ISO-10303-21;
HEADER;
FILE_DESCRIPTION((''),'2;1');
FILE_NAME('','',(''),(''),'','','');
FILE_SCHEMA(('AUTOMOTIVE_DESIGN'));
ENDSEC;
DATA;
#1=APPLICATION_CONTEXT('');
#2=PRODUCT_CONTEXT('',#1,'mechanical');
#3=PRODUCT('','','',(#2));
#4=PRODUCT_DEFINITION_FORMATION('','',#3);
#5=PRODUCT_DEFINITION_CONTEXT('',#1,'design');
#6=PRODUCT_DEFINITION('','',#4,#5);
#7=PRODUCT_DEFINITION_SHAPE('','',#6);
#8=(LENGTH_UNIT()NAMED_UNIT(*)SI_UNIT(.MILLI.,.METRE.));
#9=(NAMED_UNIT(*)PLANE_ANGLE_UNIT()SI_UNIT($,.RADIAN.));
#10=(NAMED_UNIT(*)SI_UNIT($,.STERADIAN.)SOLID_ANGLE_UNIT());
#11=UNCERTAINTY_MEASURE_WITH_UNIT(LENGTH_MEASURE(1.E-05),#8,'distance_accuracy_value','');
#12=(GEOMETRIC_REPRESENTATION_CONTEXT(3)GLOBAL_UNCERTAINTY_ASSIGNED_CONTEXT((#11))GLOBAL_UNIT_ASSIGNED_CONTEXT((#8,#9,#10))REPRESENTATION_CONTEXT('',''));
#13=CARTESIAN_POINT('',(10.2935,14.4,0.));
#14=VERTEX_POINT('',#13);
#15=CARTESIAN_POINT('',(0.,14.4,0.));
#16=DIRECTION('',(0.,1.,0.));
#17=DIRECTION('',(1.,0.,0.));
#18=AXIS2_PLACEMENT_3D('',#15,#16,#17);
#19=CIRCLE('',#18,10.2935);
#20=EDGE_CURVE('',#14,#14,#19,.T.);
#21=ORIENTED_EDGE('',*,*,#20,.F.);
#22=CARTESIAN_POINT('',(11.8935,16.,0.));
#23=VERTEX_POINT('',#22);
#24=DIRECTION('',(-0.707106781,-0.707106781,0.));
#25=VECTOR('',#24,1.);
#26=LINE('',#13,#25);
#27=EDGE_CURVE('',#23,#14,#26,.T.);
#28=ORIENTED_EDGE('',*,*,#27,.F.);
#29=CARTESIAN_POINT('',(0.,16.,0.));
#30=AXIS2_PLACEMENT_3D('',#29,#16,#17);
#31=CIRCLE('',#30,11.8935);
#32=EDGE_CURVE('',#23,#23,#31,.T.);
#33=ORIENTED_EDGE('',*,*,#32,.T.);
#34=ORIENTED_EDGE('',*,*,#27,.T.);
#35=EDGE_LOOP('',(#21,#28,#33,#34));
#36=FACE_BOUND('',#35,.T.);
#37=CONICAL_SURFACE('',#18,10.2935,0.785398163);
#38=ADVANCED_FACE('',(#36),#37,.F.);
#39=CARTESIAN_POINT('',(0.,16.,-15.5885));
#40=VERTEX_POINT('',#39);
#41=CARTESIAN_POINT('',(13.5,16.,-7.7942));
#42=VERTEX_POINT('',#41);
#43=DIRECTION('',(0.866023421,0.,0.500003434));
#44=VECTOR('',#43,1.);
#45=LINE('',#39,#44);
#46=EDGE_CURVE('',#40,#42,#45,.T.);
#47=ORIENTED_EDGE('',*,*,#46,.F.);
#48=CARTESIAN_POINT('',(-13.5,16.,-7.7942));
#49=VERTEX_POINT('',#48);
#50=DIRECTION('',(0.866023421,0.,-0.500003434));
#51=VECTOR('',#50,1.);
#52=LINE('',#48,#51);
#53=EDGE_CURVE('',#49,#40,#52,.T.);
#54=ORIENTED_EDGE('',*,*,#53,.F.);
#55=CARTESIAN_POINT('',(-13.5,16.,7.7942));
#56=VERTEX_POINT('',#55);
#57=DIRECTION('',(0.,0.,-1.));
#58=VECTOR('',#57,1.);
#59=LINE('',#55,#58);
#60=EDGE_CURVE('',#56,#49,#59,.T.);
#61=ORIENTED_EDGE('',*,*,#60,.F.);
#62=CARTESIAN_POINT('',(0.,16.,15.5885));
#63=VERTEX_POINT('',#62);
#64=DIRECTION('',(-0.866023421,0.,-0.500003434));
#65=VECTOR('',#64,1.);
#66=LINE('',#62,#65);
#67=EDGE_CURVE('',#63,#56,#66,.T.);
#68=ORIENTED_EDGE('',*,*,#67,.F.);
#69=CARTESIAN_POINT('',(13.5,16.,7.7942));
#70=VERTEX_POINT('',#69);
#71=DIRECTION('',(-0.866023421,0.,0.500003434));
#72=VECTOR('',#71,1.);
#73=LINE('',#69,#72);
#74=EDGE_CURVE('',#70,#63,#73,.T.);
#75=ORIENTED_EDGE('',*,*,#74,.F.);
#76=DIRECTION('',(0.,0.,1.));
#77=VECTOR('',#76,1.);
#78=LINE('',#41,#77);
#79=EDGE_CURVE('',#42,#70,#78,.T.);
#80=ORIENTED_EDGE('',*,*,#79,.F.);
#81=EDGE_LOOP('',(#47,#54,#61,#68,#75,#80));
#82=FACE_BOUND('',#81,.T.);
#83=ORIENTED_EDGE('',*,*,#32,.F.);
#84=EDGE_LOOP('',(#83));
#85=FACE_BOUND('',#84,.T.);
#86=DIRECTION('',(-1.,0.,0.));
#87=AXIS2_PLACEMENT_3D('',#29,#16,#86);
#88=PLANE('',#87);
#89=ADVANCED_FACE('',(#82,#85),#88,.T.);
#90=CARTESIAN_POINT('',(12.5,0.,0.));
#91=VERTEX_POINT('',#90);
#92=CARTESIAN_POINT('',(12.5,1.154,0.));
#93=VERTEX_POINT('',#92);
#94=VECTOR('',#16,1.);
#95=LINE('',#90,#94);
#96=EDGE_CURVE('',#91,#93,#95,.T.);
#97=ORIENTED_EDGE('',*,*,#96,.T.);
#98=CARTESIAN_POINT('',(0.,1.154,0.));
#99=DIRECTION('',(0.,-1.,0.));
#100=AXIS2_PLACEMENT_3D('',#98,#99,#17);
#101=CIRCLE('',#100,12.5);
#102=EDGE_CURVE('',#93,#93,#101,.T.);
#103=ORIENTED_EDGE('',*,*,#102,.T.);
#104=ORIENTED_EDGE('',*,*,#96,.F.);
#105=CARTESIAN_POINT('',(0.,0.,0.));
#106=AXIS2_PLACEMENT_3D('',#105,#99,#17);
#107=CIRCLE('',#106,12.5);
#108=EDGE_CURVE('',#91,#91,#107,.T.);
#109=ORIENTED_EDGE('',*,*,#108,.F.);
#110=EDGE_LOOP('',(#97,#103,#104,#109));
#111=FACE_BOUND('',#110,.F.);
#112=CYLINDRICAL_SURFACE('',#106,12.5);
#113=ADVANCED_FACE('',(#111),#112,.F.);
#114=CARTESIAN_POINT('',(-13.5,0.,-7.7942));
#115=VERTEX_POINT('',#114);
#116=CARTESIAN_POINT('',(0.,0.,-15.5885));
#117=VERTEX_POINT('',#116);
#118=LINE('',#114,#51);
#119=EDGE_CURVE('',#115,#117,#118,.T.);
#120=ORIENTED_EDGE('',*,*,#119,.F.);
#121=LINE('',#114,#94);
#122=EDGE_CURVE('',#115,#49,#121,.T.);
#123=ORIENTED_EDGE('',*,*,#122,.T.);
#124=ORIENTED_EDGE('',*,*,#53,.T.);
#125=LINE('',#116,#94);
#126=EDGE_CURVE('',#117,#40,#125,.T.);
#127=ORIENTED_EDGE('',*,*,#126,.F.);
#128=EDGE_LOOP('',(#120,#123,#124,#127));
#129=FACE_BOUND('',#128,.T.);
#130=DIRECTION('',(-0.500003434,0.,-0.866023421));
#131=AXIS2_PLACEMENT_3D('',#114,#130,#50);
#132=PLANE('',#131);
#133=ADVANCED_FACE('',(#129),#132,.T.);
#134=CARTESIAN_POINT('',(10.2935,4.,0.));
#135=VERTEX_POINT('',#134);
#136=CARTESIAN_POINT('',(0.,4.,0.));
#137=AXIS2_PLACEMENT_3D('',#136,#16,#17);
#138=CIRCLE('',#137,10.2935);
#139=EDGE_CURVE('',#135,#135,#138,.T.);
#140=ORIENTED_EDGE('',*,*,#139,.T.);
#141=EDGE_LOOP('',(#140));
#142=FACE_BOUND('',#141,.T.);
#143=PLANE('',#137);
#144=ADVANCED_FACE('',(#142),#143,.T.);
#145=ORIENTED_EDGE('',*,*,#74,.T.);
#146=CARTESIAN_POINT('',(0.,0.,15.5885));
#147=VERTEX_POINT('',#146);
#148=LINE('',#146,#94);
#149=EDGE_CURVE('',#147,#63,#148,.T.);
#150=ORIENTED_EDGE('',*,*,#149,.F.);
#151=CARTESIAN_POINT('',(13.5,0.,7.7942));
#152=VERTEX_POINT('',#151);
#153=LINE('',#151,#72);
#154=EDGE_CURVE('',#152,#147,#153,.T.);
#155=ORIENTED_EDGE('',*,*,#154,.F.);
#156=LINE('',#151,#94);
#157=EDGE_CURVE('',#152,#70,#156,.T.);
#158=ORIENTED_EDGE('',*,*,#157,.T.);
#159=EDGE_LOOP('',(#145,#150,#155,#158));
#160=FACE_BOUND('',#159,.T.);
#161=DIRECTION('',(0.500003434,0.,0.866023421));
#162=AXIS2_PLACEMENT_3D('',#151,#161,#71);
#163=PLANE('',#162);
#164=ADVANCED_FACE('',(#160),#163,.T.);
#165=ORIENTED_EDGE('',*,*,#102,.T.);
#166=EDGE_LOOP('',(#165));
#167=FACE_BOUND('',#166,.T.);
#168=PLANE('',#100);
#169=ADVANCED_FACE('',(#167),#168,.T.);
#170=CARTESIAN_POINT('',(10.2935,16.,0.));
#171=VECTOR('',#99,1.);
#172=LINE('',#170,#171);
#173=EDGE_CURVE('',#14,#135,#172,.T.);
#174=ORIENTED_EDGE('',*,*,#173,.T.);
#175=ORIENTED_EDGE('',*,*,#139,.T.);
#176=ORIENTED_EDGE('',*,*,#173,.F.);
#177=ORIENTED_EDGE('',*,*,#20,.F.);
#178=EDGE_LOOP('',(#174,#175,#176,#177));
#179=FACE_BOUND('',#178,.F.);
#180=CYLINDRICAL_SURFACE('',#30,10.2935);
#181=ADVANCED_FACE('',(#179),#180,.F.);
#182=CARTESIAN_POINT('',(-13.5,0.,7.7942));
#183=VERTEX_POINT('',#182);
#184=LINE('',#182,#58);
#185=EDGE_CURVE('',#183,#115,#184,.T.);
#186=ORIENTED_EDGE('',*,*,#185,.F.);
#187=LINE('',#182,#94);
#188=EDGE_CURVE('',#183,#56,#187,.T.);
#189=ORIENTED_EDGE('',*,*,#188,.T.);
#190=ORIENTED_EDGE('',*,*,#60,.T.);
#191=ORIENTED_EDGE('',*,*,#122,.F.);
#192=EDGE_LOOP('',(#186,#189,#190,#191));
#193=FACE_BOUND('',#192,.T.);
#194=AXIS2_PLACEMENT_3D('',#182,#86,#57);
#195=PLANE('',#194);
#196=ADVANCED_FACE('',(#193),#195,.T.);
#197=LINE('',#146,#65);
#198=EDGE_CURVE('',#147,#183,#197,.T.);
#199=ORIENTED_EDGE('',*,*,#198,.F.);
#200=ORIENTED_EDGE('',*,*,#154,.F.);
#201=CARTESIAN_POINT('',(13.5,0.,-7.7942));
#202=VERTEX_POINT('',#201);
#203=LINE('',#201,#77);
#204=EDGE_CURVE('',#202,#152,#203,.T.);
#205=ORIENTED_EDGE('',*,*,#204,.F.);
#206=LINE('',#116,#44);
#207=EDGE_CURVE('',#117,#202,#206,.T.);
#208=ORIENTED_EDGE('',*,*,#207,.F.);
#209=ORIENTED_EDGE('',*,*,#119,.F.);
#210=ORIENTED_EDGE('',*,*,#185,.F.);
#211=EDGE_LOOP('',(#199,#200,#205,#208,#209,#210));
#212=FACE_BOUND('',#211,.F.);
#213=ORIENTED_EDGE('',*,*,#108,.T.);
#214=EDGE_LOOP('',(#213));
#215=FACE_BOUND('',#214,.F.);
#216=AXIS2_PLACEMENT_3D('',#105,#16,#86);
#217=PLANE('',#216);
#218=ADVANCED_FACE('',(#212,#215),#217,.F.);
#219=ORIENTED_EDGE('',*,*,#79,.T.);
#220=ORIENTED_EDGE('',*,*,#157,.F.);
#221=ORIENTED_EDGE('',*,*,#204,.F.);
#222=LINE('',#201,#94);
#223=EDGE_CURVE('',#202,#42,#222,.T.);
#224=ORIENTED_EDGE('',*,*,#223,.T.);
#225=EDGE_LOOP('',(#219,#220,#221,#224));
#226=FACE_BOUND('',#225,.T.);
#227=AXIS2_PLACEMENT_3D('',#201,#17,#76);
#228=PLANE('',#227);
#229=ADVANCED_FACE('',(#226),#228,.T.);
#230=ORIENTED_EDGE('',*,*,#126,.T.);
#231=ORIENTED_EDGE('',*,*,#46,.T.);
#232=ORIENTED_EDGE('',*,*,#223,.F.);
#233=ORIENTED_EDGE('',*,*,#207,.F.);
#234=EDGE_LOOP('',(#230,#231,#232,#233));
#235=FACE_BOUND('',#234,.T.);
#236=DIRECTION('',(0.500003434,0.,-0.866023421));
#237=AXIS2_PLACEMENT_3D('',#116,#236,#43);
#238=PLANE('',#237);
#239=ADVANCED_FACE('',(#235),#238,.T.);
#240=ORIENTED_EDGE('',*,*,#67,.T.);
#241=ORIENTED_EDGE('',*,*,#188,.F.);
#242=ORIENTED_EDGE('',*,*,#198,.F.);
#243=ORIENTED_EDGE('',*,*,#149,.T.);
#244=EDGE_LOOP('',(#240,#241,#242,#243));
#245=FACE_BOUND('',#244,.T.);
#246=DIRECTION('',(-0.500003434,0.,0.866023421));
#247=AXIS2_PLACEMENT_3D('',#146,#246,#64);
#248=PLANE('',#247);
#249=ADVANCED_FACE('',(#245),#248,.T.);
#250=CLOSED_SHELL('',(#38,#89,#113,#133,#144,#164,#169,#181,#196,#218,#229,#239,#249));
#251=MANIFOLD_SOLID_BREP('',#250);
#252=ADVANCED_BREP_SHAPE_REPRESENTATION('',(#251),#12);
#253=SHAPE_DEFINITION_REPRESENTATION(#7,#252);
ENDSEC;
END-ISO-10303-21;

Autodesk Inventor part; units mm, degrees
ref_plane "YZ Plane" through (0, 0, 0) normal (1, 0, 0) x (0, 1, 0)
ref_plane "XZ Plane" through (0, 0, 0) normal (0, 1, 0) x (-1, 0, 0)
ref_plane "XY Plane" through (0, 0, 0) normal (0, 0, 1) x (1, 0, 0)
sketch "Эскиз1" plane through (0, 0, 0) normal (0, 0, 1) x (1, 0, 0)
  point P0 (0, 0)
sketch "Эскиз2" plane through (0, 0, 0) normal (0, 1, 0) x (-1, 0, 0)
  line L0 (0, 15.5885) -> (13.5, 7.7942)
  line L1 (13.5, 7.7942) -> (13.5, -7.7942)
  line L2 (13.5, -7.7942) -> (0, -15.5885)
  line L3 (0, -15.5885) -> (-13.5, -7.7942)
  line L4 (-13.5, -7.7942) -> (-13.5, 7.7942)
  line L5 (-13.5, 7.7942) -> (0, 15.5885)
  point P0 (0, 0)
  point P1 (0, 0)
  dimension "d0" = 27
extrude "Выдавливание1" add sketch "Эскиз2" along normal blind 16
sketch "Эскиз3" plane through (0, 0, 0) normal (0, -1, 0) x (1, 0, 0)
  circle A0 centre (0, 0) radius 12.5
  dimension "d3" = 25
sketch "Эскиз4" plane through (0, 16, 0) normal (0, 1, 0) x (1, 0, 0)
  circle A0 centre (0, 0) radius 10.2935
  dimension "d4" = 20.587
extrude "Выдавливание2" cut sketch "Эскиз4" against normal blind 12
thread "Резьба1" size "G 5/8-14" standard "BSP Pipe Threads" length 10 offset 2
chamfer "Фаска1" distance 1.6 angle 45 1 edges at (-10.2935, 16, 0) measured on face at (10.1602, 8, 1.6512)
extrude "Выдавливание3" cut sketch "Эскиз3" against normal blind 1.154
properties part number "Поз10 Заглушка"
